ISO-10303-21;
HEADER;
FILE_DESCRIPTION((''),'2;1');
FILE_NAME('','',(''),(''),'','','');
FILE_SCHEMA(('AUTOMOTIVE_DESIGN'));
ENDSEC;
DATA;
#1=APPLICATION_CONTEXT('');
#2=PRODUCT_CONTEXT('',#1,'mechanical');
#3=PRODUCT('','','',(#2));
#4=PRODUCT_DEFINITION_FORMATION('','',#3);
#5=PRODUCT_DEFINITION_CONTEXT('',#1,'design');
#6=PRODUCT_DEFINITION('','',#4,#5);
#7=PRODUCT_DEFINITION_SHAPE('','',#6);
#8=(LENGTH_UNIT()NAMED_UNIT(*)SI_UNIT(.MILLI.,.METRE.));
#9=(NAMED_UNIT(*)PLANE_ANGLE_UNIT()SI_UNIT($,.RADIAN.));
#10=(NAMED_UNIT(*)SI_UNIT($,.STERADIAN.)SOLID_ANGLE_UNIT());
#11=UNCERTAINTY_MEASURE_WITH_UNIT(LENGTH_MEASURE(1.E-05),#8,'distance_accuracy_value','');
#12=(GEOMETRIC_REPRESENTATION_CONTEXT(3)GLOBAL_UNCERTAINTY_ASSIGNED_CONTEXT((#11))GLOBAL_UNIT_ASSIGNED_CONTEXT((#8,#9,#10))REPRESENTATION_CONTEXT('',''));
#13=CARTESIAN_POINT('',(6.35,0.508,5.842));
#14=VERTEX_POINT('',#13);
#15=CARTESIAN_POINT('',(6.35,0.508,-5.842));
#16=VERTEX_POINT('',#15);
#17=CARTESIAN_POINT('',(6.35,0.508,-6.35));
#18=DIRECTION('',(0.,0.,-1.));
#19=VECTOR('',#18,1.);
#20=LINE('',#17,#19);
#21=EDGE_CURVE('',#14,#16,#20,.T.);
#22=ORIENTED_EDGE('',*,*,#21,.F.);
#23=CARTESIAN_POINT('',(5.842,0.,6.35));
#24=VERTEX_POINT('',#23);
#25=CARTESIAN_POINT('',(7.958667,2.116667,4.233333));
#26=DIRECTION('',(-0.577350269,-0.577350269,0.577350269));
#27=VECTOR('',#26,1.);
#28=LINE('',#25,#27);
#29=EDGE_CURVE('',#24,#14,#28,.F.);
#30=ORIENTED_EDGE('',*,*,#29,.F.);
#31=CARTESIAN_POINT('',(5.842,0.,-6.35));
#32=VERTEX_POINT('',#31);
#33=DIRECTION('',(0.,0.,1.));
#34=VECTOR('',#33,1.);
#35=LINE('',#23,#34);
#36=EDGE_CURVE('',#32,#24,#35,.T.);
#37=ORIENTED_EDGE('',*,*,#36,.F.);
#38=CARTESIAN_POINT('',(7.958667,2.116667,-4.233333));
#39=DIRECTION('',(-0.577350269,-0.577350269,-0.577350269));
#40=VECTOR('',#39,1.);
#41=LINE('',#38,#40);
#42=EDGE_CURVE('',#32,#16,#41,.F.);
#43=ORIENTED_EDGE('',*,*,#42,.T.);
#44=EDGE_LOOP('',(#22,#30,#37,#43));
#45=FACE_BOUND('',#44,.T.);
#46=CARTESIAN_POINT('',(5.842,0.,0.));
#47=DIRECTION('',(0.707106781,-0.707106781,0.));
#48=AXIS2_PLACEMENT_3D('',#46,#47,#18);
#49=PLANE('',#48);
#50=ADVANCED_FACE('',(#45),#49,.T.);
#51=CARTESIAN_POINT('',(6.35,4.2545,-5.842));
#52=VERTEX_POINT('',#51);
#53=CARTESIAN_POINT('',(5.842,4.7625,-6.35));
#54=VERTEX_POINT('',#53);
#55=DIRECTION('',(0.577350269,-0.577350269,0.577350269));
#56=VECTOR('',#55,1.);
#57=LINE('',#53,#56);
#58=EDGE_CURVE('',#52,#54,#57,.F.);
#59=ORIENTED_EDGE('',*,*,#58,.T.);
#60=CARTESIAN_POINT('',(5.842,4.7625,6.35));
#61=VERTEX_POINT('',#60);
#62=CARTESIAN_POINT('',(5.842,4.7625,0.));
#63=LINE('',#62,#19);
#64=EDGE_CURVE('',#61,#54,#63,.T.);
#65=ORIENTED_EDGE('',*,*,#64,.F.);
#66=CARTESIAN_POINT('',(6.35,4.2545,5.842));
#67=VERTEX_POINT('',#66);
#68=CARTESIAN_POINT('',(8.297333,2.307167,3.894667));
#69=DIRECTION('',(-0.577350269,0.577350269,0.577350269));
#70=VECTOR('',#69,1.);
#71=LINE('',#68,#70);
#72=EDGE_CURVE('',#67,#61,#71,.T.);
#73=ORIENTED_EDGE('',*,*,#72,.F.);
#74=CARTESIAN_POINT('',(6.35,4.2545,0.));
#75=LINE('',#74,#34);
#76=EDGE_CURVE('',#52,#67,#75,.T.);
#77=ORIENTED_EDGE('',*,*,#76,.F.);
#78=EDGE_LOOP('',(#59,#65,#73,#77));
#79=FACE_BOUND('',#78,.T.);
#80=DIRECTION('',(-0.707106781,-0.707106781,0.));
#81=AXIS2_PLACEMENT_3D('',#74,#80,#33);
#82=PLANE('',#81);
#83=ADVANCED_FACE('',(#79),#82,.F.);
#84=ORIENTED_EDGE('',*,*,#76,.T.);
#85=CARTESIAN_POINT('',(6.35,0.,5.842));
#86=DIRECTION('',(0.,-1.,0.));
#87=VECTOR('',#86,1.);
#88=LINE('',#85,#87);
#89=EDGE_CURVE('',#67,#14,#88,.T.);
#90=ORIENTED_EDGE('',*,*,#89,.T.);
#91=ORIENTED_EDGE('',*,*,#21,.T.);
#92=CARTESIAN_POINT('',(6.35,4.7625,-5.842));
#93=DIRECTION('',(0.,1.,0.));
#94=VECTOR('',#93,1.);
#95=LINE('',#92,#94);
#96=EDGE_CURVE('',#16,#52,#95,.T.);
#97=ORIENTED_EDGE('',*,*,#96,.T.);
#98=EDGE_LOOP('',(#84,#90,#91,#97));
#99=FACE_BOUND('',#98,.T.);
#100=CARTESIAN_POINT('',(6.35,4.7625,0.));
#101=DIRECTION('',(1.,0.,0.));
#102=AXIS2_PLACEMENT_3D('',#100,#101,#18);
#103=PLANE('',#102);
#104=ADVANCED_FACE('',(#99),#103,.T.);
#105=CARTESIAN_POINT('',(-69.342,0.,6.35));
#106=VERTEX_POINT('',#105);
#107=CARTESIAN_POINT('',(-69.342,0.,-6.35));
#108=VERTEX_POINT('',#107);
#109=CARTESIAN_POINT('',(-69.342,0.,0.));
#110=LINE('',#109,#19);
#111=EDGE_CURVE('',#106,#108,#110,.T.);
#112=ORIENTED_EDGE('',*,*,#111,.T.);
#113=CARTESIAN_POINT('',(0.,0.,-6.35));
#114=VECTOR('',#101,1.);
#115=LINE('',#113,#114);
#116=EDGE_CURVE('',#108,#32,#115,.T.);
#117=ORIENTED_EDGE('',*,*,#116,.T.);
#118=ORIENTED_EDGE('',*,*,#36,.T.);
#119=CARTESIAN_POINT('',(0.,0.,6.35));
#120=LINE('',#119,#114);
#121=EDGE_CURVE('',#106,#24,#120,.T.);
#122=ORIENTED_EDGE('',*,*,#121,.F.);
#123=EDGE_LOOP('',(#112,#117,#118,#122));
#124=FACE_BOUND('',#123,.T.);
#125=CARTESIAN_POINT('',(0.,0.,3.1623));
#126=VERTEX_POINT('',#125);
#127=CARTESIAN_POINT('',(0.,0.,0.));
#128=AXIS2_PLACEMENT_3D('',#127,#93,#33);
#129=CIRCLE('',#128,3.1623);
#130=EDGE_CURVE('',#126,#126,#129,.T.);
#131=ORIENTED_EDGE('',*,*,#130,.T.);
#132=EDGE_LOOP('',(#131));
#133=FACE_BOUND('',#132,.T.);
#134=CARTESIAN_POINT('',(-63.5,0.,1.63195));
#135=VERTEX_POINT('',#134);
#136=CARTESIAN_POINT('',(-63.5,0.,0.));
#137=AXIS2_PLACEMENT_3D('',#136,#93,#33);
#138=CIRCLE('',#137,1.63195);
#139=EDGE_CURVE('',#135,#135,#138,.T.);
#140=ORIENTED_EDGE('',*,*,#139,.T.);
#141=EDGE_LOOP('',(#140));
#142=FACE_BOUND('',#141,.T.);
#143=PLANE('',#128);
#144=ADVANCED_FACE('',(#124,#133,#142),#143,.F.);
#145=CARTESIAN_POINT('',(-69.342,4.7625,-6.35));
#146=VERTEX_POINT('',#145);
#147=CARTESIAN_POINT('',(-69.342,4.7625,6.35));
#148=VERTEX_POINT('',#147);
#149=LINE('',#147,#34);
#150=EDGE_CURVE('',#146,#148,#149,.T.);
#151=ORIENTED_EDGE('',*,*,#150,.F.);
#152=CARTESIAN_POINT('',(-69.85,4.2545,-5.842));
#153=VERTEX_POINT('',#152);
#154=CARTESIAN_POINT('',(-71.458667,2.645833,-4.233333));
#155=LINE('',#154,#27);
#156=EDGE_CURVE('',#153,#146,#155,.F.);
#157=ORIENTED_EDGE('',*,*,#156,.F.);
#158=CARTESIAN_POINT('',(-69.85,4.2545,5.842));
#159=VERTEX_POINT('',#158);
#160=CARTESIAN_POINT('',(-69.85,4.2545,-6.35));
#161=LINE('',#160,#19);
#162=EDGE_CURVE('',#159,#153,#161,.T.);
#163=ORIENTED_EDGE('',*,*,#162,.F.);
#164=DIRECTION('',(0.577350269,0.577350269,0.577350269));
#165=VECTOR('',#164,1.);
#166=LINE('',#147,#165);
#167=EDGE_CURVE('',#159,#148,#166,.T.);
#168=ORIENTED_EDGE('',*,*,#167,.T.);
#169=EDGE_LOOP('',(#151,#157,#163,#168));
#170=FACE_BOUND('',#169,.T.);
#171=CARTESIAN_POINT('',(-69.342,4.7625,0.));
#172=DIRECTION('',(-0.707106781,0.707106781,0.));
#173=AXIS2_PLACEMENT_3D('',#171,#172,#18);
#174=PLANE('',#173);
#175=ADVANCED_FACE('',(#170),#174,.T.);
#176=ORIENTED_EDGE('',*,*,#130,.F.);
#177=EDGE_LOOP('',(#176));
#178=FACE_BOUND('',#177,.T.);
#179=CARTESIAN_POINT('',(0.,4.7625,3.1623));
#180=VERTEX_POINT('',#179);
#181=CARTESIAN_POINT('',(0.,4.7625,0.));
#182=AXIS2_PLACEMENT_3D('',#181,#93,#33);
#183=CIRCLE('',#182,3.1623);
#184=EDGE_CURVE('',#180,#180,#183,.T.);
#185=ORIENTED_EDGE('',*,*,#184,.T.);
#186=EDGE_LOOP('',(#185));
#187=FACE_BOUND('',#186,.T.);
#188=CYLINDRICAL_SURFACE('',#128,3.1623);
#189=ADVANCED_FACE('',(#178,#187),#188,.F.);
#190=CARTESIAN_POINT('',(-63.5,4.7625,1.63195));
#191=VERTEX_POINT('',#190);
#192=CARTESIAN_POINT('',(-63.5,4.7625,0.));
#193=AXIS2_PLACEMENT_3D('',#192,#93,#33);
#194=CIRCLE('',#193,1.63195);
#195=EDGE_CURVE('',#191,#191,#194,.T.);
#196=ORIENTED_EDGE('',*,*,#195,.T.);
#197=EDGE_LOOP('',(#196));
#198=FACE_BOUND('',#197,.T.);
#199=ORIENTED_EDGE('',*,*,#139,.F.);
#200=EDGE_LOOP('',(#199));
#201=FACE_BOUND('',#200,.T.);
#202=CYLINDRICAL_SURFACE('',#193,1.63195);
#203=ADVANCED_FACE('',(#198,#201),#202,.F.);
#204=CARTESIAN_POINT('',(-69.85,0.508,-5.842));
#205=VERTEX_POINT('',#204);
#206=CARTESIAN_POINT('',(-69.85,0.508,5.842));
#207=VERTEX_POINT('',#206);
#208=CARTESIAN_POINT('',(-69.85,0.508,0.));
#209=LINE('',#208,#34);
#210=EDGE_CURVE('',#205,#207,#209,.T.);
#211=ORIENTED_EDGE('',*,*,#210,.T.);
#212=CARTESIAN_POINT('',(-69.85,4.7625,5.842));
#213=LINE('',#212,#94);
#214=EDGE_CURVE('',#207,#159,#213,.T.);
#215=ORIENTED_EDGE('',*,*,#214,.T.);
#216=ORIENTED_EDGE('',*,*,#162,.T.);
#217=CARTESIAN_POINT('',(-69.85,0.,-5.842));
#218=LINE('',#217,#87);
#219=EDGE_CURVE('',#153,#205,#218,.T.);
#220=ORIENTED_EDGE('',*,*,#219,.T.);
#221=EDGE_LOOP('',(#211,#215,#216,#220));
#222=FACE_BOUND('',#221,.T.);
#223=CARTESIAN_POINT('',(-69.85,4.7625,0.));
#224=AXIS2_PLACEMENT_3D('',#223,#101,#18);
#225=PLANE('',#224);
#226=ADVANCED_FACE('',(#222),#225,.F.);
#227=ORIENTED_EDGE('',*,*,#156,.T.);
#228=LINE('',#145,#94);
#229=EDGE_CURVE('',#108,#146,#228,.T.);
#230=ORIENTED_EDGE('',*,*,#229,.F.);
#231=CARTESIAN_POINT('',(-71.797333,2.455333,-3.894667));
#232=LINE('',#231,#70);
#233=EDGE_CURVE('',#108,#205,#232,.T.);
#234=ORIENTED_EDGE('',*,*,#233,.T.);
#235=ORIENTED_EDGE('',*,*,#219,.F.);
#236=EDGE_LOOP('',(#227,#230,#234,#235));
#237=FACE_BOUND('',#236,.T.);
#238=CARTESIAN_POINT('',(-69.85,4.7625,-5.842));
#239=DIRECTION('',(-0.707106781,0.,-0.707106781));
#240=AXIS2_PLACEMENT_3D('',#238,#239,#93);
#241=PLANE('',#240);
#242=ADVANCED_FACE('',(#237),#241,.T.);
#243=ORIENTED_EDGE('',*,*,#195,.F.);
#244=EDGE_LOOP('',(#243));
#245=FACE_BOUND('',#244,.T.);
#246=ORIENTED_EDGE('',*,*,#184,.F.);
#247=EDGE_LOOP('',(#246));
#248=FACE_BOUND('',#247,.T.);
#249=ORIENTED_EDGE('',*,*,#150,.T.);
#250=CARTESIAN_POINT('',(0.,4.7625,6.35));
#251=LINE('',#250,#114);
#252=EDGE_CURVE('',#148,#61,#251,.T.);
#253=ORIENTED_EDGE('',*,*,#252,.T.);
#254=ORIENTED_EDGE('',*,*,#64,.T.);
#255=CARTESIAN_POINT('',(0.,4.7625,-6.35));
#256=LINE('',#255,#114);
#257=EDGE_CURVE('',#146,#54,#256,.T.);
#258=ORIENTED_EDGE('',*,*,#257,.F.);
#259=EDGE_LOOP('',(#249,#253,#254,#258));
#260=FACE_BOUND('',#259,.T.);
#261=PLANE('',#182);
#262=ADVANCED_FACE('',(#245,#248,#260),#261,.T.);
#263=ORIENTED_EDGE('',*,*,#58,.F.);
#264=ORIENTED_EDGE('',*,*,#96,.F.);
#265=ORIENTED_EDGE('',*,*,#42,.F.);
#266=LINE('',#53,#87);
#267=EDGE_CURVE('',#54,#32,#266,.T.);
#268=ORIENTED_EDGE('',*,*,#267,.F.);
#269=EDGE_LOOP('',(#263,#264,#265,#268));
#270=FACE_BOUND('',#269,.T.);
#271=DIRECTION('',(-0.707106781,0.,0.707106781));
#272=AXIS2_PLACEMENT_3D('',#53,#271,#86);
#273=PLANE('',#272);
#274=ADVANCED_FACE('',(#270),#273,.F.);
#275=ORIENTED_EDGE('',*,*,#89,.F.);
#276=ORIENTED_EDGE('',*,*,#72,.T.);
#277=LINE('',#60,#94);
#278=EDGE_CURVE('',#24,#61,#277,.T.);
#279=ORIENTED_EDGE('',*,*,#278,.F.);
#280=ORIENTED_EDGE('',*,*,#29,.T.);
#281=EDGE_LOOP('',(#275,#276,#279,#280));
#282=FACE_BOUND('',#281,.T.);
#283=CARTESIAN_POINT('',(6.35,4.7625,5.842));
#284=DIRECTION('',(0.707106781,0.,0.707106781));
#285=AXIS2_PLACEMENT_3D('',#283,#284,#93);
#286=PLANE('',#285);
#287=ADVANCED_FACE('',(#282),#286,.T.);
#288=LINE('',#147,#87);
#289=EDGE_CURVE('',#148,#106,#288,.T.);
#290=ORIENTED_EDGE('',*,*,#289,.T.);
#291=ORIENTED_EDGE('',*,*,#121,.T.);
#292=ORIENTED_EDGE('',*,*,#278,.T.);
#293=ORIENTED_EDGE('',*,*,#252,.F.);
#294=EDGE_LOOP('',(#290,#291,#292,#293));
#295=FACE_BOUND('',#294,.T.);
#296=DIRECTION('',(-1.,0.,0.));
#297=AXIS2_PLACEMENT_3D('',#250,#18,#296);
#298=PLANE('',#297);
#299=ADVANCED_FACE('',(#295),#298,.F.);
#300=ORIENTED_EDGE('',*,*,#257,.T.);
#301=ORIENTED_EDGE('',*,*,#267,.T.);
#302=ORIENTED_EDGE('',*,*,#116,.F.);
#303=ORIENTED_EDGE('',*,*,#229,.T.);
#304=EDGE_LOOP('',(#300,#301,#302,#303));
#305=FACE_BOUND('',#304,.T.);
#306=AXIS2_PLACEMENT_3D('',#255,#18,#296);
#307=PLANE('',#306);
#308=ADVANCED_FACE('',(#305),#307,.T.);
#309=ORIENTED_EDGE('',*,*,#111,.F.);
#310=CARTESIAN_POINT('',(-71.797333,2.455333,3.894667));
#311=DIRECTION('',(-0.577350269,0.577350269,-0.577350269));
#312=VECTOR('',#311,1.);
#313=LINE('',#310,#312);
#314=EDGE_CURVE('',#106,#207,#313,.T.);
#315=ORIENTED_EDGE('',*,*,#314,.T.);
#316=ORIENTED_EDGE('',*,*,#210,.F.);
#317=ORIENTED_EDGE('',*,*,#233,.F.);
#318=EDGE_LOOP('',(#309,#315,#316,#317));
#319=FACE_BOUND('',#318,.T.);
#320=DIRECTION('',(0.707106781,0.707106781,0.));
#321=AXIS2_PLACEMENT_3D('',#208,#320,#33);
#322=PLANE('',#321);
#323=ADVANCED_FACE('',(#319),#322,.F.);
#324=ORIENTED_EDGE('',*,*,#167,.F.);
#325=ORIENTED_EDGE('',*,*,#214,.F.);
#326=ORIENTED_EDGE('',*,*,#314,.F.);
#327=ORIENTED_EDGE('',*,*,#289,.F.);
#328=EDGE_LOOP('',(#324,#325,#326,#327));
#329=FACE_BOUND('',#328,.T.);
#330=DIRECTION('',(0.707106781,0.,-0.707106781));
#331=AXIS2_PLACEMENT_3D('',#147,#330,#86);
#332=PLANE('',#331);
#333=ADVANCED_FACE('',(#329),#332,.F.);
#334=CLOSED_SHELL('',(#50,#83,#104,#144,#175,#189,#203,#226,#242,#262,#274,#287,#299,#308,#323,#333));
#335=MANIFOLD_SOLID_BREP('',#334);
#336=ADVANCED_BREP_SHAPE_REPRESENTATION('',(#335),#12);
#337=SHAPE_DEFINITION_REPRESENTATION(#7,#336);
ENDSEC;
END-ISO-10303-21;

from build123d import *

# Parameters (mm, degrees)
SKETCH1_W             = 76.2
SKETCH1_H             = 12.7
BOSS_EXTRUDE2_DEPTH   = 4.7625
F_4_CLEARANCE_HOLE1_D = 3.2639
CUT_EXTRUDE1_DEPTH    = 5.7625
CHAMFER1_SIZE         = 0.508


with BuildPart() as part:
    # Sketch1 → Boss-Extrude2 (new body)
    with BuildSketch(Plane(origin=(0, 0, 0), x_dir=(1, 0, 0), z_dir=(0, 1, 0))):
        with Locations((-31.75, 0)):
            Rectangle(SKETCH1_W, SKETCH1_H)
    extrude(amount=BOSS_EXTRUDE2_DEPTH)

    # #4 Clearance Hole1 (through all)
    with Locations(Plane(origin=(0, 4.7625, 0), x_dir=(1, 0, 0), z_dir=(0, 1, 0))):
        with Locations((-63.5, 0)):
            Hole(F_4_CLEARANCE_HOLE1_D / 2)

    # Sketch2 → Cut-Extrude1 (cut, through all)
    with BuildSketch(Plane(origin=(0, 4.7625, 0), x_dir=(1, 0, 0), z_dir=(0, 1, 0))):
        with BuildLine():
            ThreePointArc((3.1623, 0), (2.236083774, 2.236083774), (0, 3.1623))
            Line((0, 3.1623), (0, -3.1623))
            ThreePointArc((0, -3.1623), (2.236083774, -2.236083774), (3.1623, 0))
        make_face()
        with BuildLine():
            Line((0, -3.1623), (0, 3.1623))
            ThreePointArc((0, 3.1623), (-3.1623, 0), (0, -3.1623))
        make_face()
    extrude(amount=-CUT_EXTRUDE1_DEPTH, mode=Mode.SUBTRACT)

    # Chamfer1
    chamfer1_edges = [part.edges().sort_by_distance(p)[0] for p in [
        (-69.85, 2.38125, 6.35),
        (-69.85, 2.38125, -6.35),
        (6.35, 2.38125, -6.35),
        (6.35, 2.38125, 6.35),
        (6.35, 4.7625, 0),
        (-69.85, 4.7625, 0),
        (-69.85, 0, 0),
        (6.35, 0, 0),
    ]]
    chamfer(chamfer1_edges, length=CHAMFER1_SIZE)


solid = part.part
